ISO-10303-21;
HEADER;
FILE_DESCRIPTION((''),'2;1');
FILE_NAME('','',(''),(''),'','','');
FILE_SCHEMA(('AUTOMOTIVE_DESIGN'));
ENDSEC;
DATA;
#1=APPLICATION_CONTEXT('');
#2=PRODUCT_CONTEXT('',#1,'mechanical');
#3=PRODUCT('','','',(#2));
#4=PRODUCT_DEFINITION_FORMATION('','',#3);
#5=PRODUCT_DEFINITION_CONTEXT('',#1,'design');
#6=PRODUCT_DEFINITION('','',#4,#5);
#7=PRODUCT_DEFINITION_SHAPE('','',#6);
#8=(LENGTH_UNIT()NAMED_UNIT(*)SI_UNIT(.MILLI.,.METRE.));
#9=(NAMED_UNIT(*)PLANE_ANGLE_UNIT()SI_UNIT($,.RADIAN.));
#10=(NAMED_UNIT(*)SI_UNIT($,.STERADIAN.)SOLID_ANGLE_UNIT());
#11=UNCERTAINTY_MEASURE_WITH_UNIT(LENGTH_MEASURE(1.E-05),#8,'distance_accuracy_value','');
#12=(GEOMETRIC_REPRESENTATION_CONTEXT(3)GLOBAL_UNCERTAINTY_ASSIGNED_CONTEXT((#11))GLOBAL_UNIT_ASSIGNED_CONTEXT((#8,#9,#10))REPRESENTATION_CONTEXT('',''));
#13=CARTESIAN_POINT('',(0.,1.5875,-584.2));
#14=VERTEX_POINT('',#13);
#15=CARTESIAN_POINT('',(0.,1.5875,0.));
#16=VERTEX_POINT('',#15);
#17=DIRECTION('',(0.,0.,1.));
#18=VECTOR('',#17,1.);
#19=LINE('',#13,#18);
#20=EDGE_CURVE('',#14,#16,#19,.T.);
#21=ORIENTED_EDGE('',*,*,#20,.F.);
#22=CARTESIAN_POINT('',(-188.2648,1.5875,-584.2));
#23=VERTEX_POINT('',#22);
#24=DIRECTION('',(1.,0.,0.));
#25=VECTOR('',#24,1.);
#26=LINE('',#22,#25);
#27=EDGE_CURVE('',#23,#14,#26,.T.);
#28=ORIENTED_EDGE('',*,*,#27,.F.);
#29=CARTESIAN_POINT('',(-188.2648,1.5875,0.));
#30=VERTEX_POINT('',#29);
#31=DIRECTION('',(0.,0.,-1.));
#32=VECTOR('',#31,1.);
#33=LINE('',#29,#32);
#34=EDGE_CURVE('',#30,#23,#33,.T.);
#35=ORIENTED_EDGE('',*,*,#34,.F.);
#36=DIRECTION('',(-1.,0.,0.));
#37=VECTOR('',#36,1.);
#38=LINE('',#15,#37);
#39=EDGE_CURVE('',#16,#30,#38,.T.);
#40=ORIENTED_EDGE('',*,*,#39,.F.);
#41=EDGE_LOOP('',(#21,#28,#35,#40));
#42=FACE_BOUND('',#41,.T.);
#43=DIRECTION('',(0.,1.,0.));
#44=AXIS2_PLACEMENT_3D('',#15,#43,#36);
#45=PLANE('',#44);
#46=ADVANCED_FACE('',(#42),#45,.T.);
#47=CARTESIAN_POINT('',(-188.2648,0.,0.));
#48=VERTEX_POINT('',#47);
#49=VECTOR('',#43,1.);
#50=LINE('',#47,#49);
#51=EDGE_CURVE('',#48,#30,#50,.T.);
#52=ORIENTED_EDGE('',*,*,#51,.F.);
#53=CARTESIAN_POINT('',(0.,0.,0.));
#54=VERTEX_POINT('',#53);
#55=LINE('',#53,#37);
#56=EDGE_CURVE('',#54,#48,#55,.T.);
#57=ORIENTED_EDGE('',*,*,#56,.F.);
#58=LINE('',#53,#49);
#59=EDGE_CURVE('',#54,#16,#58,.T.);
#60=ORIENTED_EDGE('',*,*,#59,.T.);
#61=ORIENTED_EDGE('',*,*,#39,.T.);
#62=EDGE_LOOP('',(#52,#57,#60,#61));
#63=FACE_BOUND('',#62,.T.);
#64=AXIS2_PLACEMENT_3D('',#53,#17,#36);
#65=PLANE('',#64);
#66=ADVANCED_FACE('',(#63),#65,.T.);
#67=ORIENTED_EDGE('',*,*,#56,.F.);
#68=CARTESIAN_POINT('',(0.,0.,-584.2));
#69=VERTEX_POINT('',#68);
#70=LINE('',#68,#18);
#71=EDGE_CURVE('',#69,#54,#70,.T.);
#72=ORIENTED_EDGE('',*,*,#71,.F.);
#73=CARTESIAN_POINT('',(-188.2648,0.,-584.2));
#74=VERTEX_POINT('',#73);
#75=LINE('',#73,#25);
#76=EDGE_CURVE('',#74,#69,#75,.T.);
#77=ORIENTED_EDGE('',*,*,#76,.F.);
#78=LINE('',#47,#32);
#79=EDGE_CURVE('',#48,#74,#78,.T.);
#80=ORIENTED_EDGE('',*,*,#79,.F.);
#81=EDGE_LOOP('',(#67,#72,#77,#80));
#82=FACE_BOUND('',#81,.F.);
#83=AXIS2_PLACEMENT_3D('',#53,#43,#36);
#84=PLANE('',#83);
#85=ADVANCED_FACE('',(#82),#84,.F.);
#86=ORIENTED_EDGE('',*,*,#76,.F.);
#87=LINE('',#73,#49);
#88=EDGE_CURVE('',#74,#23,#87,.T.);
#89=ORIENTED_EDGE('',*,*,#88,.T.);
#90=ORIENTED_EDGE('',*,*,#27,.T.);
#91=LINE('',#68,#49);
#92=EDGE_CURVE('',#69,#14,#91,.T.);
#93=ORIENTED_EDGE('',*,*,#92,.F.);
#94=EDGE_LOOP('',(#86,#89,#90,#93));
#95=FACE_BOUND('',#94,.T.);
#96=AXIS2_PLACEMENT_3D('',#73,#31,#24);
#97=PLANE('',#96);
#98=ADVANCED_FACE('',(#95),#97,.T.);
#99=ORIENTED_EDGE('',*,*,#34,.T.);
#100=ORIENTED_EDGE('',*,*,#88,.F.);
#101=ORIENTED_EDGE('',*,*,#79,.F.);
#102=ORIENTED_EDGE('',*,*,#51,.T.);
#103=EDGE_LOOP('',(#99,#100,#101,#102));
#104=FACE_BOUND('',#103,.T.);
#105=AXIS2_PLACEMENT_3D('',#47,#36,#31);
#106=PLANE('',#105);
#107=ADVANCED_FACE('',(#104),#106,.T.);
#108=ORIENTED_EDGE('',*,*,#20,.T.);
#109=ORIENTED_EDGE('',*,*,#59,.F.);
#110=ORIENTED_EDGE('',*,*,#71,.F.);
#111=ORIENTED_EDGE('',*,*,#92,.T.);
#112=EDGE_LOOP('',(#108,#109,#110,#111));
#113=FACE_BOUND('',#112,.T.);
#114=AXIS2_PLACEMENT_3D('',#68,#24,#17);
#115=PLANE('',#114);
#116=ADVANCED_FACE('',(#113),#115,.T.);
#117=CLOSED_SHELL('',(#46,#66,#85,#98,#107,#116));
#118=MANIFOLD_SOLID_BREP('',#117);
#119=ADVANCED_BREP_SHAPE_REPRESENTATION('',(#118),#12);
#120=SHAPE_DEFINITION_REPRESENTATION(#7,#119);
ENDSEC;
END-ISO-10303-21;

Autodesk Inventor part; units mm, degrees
ref_plane "YZ Plane" through (0, 0, 0) normal (1, 0, 0) x (0, 1, 0)
ref_plane "XZ Plane" through (0, 0, 0) normal (0, 1, 0) x (-1, 0, 0)
ref_plane "XY Plane" through (0, 0, 0) normal (0, 0, 1) x (1, 0, 0)
sketch "Sketch1" plane through (0, 0, 0) normal (0, 1, 0) x (-1, 0, 0)
  line L0 (0, 0) -> (188.2648, 0)
  line L1 (188.2648, 0) -> (188.2648, -584.2)
  line L2 (188.2648, -584.2) -> (0, -584.2)
  line L3 (0, -584.2) -> (0, 0)
  dimension "d0" = 188.2648
  dimension "d1" = 584.2
extrude "Extrusion1" add sketch "Sketch1" along normal blind 1.5875
properties part number "AirPlate"
